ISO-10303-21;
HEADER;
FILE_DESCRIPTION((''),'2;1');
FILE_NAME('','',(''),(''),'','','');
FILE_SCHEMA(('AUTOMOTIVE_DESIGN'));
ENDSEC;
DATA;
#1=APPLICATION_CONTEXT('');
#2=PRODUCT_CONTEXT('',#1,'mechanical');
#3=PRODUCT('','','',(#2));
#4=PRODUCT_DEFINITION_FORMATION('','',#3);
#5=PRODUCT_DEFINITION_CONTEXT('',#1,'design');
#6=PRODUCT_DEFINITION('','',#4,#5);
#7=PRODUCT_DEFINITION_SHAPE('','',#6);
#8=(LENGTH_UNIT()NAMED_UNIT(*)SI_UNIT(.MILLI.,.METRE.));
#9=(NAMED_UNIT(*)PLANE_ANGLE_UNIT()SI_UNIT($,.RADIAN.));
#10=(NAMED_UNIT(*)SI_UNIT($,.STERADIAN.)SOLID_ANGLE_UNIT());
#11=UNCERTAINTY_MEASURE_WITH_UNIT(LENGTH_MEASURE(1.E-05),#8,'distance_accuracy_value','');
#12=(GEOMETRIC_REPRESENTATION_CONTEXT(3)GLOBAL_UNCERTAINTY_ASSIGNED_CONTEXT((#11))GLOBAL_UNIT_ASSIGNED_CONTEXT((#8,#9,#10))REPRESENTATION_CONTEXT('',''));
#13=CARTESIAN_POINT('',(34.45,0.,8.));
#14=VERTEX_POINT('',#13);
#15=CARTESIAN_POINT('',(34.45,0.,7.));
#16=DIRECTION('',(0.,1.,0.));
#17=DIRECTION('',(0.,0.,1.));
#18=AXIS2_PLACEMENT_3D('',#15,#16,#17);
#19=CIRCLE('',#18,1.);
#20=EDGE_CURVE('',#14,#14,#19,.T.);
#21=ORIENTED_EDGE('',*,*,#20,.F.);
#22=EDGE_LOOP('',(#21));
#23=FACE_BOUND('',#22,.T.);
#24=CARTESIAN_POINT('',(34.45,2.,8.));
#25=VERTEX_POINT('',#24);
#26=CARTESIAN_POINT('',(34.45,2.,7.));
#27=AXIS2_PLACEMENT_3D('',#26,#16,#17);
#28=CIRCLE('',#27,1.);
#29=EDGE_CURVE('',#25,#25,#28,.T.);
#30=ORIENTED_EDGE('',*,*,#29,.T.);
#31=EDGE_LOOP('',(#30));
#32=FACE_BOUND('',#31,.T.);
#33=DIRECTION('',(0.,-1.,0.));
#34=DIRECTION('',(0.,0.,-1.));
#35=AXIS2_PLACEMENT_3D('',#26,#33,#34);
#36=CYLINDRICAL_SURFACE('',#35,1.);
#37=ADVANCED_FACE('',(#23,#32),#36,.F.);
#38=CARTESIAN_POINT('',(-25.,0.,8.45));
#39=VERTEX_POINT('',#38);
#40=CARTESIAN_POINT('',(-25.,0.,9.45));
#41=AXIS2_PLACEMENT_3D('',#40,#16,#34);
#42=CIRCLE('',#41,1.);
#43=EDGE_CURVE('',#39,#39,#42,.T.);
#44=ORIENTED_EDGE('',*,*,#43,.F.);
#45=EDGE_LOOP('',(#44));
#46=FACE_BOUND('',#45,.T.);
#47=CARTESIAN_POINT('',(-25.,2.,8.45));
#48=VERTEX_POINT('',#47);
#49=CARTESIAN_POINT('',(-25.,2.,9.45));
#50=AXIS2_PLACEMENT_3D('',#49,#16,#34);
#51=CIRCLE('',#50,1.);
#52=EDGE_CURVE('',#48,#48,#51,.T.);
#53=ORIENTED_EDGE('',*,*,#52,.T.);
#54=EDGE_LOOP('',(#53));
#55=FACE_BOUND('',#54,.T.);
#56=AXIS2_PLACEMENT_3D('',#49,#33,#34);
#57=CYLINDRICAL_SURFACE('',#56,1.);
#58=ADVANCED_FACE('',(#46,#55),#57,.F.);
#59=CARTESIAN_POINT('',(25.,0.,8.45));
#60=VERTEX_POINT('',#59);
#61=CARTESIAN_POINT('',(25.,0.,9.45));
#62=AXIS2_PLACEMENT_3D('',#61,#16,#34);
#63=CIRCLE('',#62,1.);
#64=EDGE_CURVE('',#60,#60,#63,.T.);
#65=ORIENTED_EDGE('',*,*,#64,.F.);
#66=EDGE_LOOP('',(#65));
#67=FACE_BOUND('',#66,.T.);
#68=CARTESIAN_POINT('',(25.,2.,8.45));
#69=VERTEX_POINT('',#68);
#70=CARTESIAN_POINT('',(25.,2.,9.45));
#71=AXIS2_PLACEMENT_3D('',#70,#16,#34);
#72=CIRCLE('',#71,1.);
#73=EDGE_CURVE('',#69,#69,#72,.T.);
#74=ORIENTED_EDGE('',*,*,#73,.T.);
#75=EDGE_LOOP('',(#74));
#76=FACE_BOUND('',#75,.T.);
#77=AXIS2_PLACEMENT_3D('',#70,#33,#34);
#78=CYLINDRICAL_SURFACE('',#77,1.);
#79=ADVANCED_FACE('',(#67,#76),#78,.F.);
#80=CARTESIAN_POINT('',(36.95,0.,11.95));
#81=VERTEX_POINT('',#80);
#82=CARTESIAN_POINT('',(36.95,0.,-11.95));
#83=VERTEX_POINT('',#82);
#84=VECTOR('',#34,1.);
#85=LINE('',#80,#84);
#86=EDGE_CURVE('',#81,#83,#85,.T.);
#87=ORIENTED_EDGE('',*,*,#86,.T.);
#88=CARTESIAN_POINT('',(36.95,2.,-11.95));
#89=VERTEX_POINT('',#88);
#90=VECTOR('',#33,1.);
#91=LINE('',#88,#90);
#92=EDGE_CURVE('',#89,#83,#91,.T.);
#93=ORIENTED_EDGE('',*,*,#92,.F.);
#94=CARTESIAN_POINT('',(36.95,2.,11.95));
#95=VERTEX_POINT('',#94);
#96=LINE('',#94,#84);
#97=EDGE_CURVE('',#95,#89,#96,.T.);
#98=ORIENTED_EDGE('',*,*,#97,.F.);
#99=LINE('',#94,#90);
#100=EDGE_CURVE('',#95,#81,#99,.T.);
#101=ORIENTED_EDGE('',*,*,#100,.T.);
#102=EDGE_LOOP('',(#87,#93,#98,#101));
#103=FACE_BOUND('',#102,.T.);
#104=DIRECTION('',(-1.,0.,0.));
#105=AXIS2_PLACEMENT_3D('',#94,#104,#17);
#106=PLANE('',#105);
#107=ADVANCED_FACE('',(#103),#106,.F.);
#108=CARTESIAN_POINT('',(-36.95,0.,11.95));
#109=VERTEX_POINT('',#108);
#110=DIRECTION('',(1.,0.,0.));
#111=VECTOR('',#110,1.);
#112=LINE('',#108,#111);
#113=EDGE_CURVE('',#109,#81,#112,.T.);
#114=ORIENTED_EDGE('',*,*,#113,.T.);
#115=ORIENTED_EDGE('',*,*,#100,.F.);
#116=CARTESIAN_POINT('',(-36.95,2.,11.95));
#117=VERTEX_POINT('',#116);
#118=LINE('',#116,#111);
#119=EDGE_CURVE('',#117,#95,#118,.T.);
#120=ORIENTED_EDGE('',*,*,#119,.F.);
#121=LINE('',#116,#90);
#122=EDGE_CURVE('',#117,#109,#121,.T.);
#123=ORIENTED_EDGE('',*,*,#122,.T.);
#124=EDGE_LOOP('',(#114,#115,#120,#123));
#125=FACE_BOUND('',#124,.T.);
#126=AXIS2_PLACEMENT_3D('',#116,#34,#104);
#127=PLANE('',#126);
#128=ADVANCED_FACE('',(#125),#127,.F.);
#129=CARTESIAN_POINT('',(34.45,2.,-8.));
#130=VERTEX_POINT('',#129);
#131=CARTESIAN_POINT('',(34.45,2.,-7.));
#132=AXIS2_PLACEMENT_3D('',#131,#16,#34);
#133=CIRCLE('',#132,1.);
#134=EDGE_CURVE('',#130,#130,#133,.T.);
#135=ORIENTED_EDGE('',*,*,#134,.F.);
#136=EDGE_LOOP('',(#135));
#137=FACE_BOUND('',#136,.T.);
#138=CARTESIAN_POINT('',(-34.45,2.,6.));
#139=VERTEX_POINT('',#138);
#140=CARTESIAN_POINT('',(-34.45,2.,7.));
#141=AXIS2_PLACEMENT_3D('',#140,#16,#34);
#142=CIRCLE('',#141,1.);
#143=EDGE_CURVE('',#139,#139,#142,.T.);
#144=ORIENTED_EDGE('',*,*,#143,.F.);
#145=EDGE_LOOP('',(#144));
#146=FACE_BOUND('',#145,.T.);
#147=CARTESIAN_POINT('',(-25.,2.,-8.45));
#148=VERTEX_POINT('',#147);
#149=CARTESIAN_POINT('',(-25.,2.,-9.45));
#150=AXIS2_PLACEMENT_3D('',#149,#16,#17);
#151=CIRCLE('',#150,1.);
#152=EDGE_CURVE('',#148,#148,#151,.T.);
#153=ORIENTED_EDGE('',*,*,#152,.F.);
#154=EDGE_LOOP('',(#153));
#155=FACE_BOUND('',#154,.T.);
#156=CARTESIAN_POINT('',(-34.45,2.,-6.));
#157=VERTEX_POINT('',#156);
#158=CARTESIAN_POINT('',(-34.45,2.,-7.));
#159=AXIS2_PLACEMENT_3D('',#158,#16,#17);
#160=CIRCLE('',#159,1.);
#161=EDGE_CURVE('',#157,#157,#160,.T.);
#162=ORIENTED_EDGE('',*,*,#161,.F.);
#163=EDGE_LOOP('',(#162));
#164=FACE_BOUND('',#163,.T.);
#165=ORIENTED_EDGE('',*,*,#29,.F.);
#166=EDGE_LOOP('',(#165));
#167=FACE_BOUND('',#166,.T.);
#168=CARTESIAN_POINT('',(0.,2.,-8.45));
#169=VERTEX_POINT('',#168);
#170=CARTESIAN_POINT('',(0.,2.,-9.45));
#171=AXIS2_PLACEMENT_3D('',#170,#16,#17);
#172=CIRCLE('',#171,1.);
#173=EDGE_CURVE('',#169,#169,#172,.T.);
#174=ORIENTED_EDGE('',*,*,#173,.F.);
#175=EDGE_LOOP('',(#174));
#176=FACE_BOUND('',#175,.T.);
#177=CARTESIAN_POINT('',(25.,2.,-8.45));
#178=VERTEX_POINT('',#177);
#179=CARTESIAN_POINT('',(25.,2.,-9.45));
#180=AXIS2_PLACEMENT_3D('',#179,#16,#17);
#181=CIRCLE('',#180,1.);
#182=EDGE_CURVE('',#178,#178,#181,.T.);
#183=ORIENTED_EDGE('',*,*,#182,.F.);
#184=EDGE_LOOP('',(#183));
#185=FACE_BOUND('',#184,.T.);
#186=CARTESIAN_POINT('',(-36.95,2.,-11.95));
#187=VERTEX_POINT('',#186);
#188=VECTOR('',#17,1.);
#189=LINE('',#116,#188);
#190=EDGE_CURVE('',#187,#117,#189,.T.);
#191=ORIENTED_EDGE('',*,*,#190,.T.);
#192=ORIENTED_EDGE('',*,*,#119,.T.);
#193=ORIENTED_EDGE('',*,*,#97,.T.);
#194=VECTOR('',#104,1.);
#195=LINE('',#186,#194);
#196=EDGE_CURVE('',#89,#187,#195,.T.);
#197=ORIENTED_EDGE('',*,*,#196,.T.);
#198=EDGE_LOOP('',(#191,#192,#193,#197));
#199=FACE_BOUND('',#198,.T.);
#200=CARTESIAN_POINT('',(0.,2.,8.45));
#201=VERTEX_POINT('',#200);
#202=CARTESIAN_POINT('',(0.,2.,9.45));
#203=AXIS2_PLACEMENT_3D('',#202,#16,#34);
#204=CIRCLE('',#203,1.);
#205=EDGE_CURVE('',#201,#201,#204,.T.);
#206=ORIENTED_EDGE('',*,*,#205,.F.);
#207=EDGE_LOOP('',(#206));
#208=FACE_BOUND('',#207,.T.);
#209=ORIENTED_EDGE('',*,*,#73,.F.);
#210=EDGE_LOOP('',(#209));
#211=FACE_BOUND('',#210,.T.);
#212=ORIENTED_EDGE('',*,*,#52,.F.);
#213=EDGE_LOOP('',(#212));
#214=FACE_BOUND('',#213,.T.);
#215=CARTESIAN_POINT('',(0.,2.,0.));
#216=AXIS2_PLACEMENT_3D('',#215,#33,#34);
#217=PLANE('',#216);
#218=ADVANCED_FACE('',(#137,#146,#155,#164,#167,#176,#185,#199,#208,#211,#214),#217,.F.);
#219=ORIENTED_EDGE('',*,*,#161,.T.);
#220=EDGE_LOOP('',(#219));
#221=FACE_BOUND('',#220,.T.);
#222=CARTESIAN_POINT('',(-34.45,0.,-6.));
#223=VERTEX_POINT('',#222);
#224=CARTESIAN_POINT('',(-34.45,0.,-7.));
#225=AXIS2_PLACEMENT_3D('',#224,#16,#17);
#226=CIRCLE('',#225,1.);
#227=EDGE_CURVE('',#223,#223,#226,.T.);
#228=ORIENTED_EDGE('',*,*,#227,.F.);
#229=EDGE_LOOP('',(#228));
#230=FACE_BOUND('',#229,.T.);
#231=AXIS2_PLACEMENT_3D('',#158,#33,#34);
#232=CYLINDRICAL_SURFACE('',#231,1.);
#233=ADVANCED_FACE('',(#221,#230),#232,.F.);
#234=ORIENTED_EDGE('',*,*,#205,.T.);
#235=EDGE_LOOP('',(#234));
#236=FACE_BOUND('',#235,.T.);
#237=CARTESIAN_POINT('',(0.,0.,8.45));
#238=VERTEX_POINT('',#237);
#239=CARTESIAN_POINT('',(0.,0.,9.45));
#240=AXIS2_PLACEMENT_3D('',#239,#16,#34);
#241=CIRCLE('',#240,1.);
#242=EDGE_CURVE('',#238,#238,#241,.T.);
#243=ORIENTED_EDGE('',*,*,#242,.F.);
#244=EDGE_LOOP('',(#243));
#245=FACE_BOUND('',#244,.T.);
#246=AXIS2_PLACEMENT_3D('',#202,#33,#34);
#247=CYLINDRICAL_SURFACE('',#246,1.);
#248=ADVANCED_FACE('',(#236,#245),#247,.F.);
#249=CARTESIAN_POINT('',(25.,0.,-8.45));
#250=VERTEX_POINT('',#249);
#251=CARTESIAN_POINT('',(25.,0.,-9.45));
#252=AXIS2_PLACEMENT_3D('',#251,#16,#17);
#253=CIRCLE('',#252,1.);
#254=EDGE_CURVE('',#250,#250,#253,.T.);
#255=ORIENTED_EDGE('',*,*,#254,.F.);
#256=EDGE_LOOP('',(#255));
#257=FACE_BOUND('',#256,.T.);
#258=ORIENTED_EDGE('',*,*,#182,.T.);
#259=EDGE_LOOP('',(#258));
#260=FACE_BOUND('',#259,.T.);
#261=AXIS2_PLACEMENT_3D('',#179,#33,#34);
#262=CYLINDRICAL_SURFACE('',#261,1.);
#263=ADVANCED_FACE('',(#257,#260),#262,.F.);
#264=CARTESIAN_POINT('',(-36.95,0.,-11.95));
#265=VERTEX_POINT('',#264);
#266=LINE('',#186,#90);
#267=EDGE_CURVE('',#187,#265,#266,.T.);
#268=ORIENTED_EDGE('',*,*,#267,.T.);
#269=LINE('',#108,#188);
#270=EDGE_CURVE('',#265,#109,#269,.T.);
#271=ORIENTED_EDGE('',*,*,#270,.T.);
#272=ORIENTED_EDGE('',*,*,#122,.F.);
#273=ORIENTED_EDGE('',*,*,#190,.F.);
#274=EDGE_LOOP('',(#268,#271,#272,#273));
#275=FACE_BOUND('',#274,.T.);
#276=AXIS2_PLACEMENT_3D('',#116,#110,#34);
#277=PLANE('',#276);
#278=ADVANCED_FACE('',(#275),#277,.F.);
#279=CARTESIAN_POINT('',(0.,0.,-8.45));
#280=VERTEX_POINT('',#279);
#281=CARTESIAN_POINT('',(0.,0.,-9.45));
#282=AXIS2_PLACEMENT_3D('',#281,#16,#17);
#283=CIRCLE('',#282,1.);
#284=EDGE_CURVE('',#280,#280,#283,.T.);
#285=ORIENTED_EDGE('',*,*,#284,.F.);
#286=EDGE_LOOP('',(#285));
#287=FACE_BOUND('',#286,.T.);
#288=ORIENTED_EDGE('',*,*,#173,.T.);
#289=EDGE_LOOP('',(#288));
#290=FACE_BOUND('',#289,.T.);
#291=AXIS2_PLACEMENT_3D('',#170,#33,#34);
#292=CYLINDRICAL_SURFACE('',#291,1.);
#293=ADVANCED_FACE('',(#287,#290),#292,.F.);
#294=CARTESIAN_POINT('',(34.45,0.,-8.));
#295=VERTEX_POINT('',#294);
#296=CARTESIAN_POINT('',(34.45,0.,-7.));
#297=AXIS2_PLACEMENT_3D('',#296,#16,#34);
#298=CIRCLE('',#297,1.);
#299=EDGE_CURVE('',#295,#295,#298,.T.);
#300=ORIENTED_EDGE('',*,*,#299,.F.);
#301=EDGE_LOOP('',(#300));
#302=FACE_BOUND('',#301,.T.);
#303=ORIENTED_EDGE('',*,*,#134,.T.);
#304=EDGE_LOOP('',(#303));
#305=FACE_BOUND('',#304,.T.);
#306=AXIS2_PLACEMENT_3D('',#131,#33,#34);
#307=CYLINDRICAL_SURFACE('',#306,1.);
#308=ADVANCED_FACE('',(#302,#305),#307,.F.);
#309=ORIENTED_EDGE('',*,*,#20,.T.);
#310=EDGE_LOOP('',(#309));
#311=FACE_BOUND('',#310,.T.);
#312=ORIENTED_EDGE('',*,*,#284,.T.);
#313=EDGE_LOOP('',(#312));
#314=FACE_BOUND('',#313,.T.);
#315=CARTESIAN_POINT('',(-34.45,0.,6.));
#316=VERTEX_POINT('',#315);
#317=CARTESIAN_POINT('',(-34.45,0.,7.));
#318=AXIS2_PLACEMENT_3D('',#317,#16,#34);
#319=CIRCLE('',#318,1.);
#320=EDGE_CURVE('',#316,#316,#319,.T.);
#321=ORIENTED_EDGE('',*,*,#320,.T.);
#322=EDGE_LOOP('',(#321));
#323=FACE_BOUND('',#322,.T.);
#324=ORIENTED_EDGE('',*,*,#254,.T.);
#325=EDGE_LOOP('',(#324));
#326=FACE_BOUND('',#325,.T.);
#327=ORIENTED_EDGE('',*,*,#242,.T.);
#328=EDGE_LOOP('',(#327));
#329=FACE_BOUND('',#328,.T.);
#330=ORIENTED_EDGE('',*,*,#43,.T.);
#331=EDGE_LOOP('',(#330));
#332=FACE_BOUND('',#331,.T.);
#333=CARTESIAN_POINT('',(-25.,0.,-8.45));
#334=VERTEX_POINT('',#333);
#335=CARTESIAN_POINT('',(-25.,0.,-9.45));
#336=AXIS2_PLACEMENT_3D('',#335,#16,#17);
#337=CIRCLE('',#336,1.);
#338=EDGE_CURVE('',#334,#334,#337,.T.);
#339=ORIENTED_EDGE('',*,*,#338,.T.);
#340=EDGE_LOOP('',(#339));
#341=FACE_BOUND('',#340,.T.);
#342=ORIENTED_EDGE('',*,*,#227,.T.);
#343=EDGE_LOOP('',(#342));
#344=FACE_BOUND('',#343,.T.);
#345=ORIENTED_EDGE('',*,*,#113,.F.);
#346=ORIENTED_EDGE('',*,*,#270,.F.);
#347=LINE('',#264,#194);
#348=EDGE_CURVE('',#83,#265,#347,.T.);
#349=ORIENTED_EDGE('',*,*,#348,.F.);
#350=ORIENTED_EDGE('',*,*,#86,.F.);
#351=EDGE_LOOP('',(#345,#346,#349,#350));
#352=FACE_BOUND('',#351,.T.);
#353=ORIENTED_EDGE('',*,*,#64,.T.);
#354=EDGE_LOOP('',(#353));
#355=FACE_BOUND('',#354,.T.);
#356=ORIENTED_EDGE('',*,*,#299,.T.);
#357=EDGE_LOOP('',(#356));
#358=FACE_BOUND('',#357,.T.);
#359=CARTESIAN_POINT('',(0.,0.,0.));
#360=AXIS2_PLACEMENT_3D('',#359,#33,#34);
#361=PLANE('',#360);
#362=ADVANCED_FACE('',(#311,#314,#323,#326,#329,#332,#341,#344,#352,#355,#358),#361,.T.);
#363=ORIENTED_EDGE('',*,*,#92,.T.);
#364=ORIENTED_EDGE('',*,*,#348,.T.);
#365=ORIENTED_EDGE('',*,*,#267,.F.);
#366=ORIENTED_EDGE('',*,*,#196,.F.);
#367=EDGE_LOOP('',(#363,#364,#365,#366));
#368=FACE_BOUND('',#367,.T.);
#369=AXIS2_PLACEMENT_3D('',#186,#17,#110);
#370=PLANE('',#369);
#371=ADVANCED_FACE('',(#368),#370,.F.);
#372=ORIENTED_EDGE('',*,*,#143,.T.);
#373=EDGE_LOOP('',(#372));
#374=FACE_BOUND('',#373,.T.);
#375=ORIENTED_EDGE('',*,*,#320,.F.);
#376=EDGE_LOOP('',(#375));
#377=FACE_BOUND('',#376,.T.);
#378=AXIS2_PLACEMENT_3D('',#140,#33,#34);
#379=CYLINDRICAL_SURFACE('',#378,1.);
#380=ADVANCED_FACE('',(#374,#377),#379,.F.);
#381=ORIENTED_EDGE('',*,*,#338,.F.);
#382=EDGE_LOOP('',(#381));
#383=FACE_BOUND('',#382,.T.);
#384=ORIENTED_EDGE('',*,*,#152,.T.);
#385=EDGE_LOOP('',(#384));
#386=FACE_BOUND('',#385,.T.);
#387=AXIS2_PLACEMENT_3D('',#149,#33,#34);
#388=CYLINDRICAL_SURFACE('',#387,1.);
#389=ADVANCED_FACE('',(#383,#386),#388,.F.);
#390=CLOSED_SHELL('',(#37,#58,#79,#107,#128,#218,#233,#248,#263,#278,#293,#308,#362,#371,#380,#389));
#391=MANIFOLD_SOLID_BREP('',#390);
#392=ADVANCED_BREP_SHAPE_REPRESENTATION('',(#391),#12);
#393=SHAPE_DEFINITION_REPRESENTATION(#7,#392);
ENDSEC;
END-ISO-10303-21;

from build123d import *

# Parameters (mm, degrees)
SKETCH1_W           = 73.9
SKETCH1_H           = 23.9
SKETCH1_R           = 1
BOSS_EXTRUDE1_DEPTH = 2


with BuildPart() as part:
    # Sketch1 → Boss-Extrude1 (new body)
    with BuildSketch(Plane(origin=(0, 0, 0), x_dir=(1, 0, 0), z_dir=(0, 1, 0))):
        Rectangle(SKETCH1_W, SKETCH1_H)
        with Locations((-25, 9.45)):
            Circle(SKETCH1_R, mode=Mode.SUBTRACT)
        with Locations((0, 9.45)):
            Circle(SKETCH1_R, mode=Mode.SUBTRACT)
        with Locations((25, 9.45)):
            Circle(SKETCH1_R, mode=Mode.SUBTRACT)
        with Locations((-34.45, 7)):
            Circle(SKETCH1_R, mode=Mode.SUBTRACT)
        with Locations((25, -9.45)):
            Circle(SKETCH1_R, mode=Mode.SUBTRACT)
        with Locations((0, -9.45)):
            Circle(SKETCH1_R, mode=Mode.SUBTRACT)
        with Locations((-25, -9.45)):
            Circle(SKETCH1_R, mode=Mode.SUBTRACT)
        with Locations((-34.45, -7)):
            Circle(SKETCH1_R, mode=Mode.SUBTRACT)
        with Locations((34.45, -7)):
            Circle(SKETCH1_R, mode=Mode.SUBTRACT)
        with Locations((34.45, 7)):
            Circle(SKETCH1_R, mode=Mode.SUBTRACT)
    extrude(amount=BOSS_EXTRUDE1_DEPTH)


solid = part.part
